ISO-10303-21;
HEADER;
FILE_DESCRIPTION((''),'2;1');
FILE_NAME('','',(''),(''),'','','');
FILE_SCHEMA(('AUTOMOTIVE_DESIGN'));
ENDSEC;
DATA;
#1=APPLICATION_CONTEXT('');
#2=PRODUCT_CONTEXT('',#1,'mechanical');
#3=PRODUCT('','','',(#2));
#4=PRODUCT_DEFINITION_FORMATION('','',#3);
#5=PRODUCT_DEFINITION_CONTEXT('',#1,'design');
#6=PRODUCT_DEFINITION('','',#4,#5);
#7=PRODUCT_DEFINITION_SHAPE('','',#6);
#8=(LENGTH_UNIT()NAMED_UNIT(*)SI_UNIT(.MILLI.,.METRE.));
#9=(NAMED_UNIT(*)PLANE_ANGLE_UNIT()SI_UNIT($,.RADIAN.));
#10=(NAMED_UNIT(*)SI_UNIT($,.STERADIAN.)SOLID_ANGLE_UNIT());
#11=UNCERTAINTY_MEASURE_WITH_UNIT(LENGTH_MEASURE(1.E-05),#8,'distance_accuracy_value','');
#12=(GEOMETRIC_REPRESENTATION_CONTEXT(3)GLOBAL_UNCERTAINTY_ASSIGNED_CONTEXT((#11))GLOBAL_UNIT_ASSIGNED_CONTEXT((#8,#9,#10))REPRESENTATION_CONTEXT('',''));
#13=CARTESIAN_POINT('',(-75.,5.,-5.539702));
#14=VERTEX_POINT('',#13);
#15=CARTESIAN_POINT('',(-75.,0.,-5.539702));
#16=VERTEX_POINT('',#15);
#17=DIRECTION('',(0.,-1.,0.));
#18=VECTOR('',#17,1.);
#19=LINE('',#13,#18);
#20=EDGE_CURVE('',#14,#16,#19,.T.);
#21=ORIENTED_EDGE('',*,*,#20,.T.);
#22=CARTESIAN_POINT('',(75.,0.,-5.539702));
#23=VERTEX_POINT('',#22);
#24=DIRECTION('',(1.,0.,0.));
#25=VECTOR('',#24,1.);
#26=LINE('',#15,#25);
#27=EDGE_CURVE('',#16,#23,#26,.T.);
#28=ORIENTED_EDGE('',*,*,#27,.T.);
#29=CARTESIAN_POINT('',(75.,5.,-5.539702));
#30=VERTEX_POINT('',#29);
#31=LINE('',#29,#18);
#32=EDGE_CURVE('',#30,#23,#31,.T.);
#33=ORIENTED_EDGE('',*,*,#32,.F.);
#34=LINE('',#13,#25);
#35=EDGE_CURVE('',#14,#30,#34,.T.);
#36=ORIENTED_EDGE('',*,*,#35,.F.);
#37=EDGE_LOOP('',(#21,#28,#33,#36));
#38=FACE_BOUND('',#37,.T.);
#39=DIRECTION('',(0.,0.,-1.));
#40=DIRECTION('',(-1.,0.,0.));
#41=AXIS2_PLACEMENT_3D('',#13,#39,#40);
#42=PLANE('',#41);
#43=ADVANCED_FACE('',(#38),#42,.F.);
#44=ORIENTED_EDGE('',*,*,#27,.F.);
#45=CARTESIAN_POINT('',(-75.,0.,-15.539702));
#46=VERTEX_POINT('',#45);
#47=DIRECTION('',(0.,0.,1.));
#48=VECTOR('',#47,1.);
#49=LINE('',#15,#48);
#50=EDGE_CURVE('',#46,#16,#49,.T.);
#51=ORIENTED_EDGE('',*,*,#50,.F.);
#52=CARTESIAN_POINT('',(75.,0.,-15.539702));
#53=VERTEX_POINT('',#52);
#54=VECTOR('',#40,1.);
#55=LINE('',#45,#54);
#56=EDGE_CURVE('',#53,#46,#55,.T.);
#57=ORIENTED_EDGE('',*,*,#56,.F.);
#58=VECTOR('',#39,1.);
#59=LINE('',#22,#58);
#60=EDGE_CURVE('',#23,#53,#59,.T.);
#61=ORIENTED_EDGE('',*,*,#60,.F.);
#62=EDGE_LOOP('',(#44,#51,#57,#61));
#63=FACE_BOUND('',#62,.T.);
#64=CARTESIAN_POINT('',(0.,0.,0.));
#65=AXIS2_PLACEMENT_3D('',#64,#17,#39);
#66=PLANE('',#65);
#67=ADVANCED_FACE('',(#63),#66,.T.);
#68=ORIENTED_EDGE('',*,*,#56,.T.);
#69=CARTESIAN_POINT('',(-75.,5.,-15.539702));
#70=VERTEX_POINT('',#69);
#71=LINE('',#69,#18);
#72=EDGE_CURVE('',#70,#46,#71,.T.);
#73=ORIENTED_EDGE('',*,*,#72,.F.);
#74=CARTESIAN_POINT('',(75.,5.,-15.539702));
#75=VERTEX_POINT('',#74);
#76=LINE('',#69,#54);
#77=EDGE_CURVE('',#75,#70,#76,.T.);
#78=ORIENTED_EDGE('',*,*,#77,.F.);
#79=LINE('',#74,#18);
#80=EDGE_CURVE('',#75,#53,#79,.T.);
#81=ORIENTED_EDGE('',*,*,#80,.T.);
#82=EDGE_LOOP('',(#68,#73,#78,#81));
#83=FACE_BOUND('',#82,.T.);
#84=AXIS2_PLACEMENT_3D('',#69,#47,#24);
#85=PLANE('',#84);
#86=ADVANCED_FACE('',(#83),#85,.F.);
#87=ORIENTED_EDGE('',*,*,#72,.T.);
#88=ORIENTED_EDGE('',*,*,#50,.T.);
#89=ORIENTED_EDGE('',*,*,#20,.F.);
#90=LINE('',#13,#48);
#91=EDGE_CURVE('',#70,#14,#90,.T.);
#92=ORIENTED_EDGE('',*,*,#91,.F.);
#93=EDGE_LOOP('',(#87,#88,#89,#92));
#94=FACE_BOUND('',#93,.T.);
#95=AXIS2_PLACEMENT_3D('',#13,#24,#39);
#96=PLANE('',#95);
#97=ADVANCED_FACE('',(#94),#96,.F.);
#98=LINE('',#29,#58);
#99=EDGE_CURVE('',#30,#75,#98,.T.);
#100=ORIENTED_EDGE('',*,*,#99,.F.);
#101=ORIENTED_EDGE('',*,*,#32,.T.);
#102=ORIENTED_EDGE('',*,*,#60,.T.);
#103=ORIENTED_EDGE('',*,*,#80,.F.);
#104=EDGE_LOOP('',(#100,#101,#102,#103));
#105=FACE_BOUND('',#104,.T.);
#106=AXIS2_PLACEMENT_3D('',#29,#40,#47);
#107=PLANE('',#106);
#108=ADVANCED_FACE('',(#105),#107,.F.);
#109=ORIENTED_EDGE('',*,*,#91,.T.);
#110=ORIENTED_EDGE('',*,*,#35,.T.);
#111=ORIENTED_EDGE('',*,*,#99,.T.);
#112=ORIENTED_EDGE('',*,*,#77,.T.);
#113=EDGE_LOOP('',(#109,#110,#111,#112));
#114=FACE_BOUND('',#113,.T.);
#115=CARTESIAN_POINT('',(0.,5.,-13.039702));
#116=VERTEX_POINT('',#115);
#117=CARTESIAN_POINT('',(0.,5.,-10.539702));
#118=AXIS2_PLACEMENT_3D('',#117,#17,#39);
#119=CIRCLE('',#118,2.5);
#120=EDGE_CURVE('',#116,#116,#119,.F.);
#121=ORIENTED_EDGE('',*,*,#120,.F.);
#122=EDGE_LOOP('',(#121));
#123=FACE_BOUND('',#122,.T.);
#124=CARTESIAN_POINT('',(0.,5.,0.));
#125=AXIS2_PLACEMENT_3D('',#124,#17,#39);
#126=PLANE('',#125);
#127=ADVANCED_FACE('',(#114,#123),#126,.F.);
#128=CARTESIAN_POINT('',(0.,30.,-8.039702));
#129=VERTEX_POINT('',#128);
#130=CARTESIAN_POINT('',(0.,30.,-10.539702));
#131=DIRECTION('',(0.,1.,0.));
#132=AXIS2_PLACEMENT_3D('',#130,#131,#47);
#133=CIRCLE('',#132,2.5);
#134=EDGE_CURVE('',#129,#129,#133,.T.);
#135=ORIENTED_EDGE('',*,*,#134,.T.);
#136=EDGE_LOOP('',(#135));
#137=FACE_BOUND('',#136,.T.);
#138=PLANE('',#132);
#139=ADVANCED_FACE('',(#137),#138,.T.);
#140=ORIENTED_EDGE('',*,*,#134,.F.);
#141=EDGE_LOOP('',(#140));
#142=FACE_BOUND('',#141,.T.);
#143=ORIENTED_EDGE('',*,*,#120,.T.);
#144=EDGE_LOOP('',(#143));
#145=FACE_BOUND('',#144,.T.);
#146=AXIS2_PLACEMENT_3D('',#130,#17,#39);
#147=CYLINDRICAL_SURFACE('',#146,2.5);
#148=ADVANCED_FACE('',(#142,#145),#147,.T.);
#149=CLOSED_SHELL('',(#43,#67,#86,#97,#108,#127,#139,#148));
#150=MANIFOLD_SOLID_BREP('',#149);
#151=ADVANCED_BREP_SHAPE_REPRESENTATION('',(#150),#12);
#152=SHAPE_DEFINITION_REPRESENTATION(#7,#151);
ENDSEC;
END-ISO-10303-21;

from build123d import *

# Parameters (mm, degrees)
SKETCH1_W           = 150
SKETCH1_H           = 10
BOSS_EXTRUDE2_DEPTH = 5
SKETCH3_R           = 2.5
BOSS_EXTRUDE4_DEPTH = 25


with BuildPart() as part:
    # Sketch1 → Boss-Extrude2 (new body)
    with BuildSketch(Plane(origin=(0, 0, 0), x_dir=(1, 0, 0), z_dir=(0, 1, 0))):
        with Locations((0, 10.539702233)):
            Rectangle(SKETCH1_W, SKETCH1_H)
    extrude(amount=BOSS_EXTRUDE2_DEPTH)

    # Sketch3 → Boss-Extrude4 (add)
    with BuildSketch(Plane(origin=(0, 5, 0), x_dir=(1, 0, 0), z_dir=(0, 1, 0))):
        with Locations(Location((0, 10.539702233, 0), (0, 0, 90))):
            Circle(SKETCH3_R)
    extrude(amount=BOSS_EXTRUDE4_DEPTH)


solid = part.part
